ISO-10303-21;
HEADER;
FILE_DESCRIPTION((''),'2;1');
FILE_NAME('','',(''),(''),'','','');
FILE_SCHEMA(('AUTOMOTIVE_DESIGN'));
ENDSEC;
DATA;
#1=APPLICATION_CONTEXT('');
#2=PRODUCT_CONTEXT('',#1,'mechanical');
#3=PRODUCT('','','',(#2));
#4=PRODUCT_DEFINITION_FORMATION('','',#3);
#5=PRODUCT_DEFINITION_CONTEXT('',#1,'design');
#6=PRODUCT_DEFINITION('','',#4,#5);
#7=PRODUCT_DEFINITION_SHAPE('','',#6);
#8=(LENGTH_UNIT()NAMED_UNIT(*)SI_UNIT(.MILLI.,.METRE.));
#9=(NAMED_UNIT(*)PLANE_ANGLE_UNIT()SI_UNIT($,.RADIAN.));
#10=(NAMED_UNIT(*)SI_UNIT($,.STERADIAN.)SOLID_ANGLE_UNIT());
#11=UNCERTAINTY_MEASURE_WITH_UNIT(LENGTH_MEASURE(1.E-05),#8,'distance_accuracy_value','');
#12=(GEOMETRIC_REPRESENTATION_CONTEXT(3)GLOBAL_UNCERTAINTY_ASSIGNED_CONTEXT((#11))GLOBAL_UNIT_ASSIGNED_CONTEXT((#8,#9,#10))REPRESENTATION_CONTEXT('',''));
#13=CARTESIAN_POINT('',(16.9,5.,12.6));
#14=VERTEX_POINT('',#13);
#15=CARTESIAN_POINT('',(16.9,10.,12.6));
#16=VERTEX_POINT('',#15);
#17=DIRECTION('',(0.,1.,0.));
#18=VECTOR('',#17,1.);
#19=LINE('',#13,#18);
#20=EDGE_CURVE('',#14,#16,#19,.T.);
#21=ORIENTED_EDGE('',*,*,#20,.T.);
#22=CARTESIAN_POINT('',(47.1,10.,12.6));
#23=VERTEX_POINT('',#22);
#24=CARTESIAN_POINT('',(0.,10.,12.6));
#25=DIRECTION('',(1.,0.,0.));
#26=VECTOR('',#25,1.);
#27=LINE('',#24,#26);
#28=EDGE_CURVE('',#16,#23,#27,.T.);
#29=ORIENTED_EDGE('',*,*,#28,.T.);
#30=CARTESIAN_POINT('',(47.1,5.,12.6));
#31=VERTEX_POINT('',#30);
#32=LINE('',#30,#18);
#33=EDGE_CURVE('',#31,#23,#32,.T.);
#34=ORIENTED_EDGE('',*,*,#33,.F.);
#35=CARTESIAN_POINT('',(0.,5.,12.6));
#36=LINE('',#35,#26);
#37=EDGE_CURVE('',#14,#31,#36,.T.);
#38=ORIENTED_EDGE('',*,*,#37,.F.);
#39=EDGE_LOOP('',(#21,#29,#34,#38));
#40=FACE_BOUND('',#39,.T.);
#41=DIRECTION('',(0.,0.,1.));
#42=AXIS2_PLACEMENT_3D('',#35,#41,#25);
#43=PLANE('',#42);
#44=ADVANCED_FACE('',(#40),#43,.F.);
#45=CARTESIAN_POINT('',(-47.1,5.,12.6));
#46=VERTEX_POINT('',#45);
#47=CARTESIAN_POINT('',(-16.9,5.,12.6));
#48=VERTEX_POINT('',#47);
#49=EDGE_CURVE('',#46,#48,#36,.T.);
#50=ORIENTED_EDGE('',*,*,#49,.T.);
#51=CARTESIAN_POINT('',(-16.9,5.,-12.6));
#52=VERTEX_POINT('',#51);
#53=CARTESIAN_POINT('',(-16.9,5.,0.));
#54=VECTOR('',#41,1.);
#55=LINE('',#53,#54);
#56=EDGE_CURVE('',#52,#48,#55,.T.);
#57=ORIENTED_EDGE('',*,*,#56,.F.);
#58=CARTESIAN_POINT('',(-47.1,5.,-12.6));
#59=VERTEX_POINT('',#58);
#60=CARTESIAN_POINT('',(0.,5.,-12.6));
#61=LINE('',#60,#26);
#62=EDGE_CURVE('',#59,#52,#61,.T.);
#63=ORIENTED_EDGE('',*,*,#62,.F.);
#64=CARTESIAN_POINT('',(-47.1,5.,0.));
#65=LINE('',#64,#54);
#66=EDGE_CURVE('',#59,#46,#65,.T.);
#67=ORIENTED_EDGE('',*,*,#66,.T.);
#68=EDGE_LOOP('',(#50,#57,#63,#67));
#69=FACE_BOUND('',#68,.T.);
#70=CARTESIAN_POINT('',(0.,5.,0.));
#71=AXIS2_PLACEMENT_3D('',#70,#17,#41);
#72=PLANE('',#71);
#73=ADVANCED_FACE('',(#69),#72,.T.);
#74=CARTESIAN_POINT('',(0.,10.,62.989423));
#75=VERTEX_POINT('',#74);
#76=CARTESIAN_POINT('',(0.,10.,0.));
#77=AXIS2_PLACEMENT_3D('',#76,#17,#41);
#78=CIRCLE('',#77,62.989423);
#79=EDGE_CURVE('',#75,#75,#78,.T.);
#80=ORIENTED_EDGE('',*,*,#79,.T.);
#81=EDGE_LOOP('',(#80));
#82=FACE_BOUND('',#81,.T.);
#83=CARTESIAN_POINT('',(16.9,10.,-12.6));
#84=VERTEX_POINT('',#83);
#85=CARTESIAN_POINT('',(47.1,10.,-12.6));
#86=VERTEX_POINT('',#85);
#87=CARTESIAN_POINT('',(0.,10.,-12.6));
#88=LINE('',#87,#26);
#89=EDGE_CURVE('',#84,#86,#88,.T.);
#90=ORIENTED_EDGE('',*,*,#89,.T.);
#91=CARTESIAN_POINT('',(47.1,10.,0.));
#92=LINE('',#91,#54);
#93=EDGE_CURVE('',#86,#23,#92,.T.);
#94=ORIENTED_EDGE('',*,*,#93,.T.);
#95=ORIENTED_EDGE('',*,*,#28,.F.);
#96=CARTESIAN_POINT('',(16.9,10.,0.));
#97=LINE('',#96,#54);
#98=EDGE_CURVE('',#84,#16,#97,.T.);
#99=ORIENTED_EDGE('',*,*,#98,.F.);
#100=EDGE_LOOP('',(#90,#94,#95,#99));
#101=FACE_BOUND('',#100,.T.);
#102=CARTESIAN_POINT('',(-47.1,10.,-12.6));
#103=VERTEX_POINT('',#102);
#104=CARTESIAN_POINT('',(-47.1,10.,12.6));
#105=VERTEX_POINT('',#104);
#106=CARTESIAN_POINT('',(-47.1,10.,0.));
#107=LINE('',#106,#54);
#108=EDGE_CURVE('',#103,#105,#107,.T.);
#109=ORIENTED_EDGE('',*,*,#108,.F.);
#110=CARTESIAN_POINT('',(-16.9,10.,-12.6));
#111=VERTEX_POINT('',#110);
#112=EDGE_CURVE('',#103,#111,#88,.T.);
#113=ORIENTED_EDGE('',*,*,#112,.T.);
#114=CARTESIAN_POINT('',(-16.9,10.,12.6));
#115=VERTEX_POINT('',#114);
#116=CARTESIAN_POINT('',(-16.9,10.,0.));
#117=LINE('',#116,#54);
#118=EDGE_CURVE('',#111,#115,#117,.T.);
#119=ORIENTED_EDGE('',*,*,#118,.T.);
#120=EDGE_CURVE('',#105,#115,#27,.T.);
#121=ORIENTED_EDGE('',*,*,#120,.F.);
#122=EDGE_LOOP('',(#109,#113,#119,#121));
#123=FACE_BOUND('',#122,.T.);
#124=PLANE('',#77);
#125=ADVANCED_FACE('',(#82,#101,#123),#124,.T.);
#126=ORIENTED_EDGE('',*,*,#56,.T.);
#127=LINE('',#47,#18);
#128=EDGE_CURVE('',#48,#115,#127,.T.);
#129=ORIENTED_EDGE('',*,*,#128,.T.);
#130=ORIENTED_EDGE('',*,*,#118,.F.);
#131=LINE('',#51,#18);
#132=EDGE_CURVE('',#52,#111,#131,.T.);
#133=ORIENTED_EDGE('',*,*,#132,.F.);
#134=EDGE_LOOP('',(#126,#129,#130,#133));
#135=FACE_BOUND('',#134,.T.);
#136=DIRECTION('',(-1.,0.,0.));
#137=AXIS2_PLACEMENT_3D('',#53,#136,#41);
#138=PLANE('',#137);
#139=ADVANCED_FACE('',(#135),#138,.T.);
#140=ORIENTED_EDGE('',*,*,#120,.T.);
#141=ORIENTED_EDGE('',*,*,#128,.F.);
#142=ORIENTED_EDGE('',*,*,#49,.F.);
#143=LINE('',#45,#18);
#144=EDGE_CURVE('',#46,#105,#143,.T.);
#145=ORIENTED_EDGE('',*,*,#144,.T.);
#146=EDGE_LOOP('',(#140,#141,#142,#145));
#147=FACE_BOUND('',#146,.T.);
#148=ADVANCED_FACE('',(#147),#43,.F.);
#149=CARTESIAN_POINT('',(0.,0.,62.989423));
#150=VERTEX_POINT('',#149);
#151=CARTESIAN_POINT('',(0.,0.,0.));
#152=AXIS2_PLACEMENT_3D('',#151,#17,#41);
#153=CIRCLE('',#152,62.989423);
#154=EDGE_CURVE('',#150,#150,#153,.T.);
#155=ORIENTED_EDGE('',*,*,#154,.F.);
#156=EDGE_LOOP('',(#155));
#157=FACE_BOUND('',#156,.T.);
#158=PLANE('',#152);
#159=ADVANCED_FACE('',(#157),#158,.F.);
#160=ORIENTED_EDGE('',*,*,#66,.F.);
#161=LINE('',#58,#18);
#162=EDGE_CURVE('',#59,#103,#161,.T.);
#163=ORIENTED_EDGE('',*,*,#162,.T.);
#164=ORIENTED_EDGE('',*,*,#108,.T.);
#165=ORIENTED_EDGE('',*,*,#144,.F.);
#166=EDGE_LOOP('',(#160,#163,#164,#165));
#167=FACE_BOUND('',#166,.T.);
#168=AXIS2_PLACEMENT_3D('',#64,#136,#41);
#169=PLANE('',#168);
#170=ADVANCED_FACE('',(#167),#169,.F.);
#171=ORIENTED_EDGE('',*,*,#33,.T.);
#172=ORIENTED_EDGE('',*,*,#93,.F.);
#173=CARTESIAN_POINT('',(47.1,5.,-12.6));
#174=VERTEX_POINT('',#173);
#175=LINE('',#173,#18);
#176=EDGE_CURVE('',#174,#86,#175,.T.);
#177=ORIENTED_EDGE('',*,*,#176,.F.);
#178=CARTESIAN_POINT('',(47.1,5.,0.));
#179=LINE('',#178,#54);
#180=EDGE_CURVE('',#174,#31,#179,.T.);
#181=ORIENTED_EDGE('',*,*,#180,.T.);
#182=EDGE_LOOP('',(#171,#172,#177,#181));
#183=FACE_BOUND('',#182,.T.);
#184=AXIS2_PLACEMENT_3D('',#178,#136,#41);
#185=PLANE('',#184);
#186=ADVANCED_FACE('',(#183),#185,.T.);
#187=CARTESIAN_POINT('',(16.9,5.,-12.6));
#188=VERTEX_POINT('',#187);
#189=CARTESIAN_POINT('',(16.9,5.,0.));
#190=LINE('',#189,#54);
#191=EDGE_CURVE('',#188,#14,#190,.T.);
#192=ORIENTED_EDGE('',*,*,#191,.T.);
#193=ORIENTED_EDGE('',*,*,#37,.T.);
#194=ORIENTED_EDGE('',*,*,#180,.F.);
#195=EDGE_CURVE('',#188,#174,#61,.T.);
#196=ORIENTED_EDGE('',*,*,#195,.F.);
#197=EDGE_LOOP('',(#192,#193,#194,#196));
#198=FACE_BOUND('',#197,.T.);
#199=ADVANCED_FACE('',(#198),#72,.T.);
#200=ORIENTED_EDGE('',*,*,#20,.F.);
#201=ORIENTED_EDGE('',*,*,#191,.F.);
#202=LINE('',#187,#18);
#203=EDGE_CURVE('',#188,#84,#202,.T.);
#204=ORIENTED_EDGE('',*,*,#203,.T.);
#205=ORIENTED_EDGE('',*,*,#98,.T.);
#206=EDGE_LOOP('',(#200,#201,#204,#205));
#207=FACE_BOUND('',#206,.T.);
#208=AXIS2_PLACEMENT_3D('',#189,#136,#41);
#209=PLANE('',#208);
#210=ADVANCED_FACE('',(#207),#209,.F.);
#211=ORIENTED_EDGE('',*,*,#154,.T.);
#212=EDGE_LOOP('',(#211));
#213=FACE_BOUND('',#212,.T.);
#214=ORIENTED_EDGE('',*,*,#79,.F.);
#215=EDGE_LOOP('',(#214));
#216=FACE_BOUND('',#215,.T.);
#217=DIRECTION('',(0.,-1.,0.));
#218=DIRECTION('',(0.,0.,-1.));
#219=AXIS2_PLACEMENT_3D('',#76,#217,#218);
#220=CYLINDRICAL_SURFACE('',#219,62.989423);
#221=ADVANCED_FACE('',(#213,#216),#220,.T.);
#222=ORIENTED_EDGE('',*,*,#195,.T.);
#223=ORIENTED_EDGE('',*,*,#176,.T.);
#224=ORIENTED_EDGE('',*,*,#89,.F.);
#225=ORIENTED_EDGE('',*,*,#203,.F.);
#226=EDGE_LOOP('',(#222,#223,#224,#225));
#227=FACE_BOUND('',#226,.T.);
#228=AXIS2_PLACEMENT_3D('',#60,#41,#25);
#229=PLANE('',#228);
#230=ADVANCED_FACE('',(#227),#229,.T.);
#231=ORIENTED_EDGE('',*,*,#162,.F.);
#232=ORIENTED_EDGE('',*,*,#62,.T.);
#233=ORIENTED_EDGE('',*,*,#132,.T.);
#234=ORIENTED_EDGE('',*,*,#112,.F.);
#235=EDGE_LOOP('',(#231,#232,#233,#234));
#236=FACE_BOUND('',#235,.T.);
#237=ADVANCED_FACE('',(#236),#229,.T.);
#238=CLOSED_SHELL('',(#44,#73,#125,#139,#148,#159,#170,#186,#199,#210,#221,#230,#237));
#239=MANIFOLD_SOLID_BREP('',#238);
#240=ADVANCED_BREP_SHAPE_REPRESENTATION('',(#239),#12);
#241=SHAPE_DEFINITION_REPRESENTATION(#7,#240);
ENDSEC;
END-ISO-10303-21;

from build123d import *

# Parameters (mm, degrees)
SKETCH_1_R          = 62.989422777
EXTRUDE_1_DEPTH     = 10
SKETCH_2_W          = 30.2
SKETCH_2_H          = 25.2
CUT_EXTRUDE_1_DEPTH = 5


with BuildPart() as part:
    # 草图1 → 凸台-拉伸1 (new body)
    with BuildSketch(Plane(origin=(0, 0, 0), x_dir=(1, 0, 0), z_dir=(0, 1, 0))):
        with Locations(Location((0, 0, 0), (0, 0, 270))):
            Circle(SKETCH_1_R)
    extrude(amount=EXTRUDE_1_DEPTH)

    # 草图2 → 切除-拉伸1 (cut)
    with BuildSketch(Plane(origin=(0, 10, 0), x_dir=(1, 0, 0), z_dir=(0, 1, 0))):
        with Locations((-32, 0)):
            Rectangle(SKETCH_2_W, SKETCH_2_H)
        with Locations((32, 0)):
            Rectangle(SKETCH_2_W, SKETCH_2_H)
    extrude(amount=-CUT_EXTRUDE_1_DEPTH, mode=Mode.SUBTRACT)


solid = part.part
